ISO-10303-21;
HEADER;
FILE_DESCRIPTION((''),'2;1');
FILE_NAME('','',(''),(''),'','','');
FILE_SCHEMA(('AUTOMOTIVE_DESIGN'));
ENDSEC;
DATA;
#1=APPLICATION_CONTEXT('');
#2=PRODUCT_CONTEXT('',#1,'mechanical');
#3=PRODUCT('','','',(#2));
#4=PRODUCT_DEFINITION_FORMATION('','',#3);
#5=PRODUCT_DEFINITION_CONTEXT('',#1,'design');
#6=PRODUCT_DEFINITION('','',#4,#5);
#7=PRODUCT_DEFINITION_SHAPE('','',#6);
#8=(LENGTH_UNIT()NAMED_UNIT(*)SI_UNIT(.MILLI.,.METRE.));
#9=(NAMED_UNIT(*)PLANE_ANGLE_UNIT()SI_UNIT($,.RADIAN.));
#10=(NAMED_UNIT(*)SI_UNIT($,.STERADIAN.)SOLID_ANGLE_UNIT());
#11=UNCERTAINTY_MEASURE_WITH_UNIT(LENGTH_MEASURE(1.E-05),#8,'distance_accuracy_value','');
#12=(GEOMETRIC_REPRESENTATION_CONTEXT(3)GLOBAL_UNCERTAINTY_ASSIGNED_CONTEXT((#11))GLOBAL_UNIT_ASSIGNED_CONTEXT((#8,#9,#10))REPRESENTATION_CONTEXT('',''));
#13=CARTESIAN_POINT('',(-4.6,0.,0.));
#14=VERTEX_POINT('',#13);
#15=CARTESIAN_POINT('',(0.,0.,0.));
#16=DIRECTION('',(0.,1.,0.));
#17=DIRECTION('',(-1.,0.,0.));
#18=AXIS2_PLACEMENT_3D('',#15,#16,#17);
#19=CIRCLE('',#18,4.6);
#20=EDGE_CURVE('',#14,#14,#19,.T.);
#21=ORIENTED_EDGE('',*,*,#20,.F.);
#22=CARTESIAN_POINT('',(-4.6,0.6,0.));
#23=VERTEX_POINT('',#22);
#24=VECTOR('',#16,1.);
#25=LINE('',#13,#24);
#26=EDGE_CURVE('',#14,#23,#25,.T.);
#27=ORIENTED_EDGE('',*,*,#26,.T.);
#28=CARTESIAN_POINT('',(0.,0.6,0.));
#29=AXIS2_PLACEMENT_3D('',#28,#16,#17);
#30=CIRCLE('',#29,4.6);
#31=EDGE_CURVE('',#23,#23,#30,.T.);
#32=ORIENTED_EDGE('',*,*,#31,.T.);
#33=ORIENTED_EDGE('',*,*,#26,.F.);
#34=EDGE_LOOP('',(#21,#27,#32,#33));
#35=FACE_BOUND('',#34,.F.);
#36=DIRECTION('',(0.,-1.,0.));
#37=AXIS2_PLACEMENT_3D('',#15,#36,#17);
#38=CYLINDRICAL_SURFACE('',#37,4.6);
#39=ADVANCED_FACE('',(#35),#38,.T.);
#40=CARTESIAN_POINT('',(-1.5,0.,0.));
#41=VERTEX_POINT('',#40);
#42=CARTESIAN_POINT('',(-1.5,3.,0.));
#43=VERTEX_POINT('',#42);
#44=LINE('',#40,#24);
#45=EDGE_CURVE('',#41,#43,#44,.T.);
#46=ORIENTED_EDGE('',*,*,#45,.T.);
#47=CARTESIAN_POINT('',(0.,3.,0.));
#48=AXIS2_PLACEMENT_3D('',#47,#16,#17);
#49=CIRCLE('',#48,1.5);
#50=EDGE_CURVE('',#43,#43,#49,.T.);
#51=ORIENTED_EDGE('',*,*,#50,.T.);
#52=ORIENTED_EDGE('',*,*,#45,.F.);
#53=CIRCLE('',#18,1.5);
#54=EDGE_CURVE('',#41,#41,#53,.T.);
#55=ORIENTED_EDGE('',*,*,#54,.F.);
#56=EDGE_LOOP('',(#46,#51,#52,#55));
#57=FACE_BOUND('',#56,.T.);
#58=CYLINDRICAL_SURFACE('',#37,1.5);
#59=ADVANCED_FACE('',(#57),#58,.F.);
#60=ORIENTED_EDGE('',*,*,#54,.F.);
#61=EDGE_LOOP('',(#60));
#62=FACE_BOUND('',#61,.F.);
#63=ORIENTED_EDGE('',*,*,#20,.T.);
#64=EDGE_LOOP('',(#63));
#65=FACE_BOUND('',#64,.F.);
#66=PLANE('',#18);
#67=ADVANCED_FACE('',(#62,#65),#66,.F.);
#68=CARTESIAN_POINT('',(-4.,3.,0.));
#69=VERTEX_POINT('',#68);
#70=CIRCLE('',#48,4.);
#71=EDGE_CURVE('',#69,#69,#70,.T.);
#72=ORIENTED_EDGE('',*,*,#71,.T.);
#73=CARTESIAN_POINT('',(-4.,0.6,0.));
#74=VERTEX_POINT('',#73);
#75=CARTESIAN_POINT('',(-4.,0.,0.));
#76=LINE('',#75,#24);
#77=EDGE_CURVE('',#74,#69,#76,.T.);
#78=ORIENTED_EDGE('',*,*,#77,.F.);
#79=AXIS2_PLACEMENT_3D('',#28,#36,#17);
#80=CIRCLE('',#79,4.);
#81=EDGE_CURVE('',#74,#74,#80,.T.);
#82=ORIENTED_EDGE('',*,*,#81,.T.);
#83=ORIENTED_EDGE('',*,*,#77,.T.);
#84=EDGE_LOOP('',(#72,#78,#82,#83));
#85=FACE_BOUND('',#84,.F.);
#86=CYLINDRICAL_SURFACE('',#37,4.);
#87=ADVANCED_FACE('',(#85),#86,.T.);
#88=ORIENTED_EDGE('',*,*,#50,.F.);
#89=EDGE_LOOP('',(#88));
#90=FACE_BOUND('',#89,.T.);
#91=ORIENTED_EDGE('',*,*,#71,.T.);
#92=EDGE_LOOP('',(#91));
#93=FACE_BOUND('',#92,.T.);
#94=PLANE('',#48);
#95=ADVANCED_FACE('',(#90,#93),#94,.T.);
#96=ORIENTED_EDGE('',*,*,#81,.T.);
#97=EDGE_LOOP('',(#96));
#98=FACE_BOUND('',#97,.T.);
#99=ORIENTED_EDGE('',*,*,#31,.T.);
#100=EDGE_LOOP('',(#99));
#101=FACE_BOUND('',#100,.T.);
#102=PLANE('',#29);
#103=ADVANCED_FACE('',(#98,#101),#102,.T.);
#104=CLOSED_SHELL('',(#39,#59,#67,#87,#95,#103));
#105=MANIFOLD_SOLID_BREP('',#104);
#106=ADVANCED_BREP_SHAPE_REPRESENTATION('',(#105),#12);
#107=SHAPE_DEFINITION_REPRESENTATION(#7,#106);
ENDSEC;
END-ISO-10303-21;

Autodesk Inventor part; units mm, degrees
ref_plane "YZ Plane" through (0, 0, 0) normal (1, 0, 0) x (0, 1, 0)
ref_plane "XZ Plane" through (0, 0, 0) normal (0, 1, 0) x (-1, 0, 0)
ref_plane "XY Plane" through (0, 0, 0) normal (0, 0, 1) x (1, 0, 0)
sketch "Skizze1" plane through (0, 0, 0) normal (0, 1, 0) x (-1, 0, 0)
  circle A0 centre (0, 0) radius 4.6
  circle A1 centre (0, 0) radius 4
  circle A2 centre (0, 0) radius 1.5
  dimension "d0" = 9.2
  dimension "d1" = 8
  dimension "d2" = 3
extrude "Extrusion1" add sketch "Skizze1" along normal blind 0.6 contours A0 | A1
extrude "Extrusion2" add sketch "Skizze1" along normal blind 3 contours A1
properties part number "kugellager_drehachse" material "Stainless Steel"
